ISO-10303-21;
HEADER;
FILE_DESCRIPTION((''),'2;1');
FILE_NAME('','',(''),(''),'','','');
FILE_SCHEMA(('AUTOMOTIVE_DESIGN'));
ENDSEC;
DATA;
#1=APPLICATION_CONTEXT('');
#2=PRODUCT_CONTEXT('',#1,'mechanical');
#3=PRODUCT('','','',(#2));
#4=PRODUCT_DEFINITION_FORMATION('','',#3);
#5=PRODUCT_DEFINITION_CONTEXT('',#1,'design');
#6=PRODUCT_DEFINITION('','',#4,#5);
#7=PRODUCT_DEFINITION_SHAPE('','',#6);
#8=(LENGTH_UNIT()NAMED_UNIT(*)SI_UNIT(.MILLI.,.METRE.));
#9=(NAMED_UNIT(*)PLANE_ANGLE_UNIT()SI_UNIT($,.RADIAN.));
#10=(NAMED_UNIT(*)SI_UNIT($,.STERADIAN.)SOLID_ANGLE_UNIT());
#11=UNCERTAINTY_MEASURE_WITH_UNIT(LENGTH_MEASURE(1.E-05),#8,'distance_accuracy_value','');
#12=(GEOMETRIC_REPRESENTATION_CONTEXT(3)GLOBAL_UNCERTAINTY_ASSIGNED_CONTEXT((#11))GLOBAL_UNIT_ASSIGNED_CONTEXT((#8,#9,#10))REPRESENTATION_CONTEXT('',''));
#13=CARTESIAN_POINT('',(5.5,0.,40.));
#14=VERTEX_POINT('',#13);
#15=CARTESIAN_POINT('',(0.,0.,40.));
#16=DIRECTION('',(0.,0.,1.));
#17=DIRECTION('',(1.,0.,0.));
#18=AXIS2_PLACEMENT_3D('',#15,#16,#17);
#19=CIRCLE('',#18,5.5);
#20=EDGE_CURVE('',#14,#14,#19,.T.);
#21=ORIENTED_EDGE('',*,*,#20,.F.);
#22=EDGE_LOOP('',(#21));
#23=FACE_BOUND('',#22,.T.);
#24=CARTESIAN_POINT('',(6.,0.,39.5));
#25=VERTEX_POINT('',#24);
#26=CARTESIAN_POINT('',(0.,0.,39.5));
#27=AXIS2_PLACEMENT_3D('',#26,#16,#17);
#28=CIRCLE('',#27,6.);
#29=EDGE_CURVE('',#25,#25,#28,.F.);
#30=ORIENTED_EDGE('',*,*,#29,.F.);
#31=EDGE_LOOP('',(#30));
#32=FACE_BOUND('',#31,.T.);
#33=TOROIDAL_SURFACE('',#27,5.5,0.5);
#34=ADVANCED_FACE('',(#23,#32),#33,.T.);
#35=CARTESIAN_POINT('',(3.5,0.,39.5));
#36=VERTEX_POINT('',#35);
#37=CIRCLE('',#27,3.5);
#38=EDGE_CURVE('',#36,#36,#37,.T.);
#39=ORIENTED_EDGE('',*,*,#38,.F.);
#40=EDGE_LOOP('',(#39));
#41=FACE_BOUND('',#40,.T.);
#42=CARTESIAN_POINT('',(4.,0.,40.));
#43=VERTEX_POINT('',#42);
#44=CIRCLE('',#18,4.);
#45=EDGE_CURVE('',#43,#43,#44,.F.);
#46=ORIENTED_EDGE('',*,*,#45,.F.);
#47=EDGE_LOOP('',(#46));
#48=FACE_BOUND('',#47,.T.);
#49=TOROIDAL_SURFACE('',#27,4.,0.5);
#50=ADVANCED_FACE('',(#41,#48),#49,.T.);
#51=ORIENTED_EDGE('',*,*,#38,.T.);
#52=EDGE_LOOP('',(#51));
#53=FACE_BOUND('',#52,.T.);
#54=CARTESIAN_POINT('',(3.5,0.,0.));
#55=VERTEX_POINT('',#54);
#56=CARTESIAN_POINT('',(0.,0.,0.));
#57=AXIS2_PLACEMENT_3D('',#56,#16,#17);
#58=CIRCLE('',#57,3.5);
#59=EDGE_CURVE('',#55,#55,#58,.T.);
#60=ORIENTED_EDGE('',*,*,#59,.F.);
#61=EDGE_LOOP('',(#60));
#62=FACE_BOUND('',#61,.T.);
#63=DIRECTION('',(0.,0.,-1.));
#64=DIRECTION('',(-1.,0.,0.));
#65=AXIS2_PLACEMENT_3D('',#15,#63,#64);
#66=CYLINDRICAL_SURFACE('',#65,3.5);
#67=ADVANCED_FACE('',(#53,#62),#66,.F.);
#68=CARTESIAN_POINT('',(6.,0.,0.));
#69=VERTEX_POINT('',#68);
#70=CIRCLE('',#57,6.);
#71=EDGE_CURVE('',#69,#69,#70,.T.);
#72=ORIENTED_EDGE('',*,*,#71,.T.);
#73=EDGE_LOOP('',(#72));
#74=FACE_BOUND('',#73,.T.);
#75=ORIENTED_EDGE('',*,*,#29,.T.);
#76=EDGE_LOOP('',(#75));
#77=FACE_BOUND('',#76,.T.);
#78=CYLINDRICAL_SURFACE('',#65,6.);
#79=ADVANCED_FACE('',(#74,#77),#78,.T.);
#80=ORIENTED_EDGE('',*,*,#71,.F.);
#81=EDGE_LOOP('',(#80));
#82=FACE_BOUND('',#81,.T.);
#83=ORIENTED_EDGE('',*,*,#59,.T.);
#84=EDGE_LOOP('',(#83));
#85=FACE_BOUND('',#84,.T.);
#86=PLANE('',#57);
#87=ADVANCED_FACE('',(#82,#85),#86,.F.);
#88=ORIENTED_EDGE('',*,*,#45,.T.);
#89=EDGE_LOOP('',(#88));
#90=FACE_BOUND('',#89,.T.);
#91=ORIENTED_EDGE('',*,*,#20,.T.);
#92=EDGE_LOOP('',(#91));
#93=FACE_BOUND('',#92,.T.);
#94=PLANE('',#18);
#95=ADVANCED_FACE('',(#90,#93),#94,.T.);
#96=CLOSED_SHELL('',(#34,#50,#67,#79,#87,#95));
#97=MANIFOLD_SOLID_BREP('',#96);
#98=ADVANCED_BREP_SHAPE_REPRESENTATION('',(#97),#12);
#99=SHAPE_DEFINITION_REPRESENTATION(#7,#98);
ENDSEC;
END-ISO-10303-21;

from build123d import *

# Parameters (mm, degrees)
SZKIC1_R                    = 6
SZKIC1_R_2                  = 3.5
DODANIE_WYCI_GNI_CIE1_DEPTH = 40
ZAOKR_GLENIE1_R             = 0.5
ZAOKR_GLENIE2_R             = 0.5


with BuildPart() as part:
    # Szkic1 → Dodanie-wyciągnięcie1 (new body)
    with BuildSketch(Plane.XY):
        Circle(SZKIC1_R)
        Circle(SZKIC1_R_2, mode=Mode.SUBTRACT)
    extrude(amount=DODANIE_WYCI_GNI_CIE1_DEPTH)

    # Zaokrąglenie1
    zaokr_glenie1_edges = [part.edges().sort_by_distance(p)[0] for p in [
        (-6, 0, 40),
    ]]
    fillet(zaokr_glenie1_edges, radius=ZAOKR_GLENIE1_R)

    # Zaokrąglenie2
    zaokr_glenie2_edges = [part.edges().sort_by_distance(p)[0] for p in [
        (-3.5, 0, 40),
    ]]
    fillet(zaokr_glenie2_edges, radius=ZAOKR_GLENIE2_R)


solid = part.part
